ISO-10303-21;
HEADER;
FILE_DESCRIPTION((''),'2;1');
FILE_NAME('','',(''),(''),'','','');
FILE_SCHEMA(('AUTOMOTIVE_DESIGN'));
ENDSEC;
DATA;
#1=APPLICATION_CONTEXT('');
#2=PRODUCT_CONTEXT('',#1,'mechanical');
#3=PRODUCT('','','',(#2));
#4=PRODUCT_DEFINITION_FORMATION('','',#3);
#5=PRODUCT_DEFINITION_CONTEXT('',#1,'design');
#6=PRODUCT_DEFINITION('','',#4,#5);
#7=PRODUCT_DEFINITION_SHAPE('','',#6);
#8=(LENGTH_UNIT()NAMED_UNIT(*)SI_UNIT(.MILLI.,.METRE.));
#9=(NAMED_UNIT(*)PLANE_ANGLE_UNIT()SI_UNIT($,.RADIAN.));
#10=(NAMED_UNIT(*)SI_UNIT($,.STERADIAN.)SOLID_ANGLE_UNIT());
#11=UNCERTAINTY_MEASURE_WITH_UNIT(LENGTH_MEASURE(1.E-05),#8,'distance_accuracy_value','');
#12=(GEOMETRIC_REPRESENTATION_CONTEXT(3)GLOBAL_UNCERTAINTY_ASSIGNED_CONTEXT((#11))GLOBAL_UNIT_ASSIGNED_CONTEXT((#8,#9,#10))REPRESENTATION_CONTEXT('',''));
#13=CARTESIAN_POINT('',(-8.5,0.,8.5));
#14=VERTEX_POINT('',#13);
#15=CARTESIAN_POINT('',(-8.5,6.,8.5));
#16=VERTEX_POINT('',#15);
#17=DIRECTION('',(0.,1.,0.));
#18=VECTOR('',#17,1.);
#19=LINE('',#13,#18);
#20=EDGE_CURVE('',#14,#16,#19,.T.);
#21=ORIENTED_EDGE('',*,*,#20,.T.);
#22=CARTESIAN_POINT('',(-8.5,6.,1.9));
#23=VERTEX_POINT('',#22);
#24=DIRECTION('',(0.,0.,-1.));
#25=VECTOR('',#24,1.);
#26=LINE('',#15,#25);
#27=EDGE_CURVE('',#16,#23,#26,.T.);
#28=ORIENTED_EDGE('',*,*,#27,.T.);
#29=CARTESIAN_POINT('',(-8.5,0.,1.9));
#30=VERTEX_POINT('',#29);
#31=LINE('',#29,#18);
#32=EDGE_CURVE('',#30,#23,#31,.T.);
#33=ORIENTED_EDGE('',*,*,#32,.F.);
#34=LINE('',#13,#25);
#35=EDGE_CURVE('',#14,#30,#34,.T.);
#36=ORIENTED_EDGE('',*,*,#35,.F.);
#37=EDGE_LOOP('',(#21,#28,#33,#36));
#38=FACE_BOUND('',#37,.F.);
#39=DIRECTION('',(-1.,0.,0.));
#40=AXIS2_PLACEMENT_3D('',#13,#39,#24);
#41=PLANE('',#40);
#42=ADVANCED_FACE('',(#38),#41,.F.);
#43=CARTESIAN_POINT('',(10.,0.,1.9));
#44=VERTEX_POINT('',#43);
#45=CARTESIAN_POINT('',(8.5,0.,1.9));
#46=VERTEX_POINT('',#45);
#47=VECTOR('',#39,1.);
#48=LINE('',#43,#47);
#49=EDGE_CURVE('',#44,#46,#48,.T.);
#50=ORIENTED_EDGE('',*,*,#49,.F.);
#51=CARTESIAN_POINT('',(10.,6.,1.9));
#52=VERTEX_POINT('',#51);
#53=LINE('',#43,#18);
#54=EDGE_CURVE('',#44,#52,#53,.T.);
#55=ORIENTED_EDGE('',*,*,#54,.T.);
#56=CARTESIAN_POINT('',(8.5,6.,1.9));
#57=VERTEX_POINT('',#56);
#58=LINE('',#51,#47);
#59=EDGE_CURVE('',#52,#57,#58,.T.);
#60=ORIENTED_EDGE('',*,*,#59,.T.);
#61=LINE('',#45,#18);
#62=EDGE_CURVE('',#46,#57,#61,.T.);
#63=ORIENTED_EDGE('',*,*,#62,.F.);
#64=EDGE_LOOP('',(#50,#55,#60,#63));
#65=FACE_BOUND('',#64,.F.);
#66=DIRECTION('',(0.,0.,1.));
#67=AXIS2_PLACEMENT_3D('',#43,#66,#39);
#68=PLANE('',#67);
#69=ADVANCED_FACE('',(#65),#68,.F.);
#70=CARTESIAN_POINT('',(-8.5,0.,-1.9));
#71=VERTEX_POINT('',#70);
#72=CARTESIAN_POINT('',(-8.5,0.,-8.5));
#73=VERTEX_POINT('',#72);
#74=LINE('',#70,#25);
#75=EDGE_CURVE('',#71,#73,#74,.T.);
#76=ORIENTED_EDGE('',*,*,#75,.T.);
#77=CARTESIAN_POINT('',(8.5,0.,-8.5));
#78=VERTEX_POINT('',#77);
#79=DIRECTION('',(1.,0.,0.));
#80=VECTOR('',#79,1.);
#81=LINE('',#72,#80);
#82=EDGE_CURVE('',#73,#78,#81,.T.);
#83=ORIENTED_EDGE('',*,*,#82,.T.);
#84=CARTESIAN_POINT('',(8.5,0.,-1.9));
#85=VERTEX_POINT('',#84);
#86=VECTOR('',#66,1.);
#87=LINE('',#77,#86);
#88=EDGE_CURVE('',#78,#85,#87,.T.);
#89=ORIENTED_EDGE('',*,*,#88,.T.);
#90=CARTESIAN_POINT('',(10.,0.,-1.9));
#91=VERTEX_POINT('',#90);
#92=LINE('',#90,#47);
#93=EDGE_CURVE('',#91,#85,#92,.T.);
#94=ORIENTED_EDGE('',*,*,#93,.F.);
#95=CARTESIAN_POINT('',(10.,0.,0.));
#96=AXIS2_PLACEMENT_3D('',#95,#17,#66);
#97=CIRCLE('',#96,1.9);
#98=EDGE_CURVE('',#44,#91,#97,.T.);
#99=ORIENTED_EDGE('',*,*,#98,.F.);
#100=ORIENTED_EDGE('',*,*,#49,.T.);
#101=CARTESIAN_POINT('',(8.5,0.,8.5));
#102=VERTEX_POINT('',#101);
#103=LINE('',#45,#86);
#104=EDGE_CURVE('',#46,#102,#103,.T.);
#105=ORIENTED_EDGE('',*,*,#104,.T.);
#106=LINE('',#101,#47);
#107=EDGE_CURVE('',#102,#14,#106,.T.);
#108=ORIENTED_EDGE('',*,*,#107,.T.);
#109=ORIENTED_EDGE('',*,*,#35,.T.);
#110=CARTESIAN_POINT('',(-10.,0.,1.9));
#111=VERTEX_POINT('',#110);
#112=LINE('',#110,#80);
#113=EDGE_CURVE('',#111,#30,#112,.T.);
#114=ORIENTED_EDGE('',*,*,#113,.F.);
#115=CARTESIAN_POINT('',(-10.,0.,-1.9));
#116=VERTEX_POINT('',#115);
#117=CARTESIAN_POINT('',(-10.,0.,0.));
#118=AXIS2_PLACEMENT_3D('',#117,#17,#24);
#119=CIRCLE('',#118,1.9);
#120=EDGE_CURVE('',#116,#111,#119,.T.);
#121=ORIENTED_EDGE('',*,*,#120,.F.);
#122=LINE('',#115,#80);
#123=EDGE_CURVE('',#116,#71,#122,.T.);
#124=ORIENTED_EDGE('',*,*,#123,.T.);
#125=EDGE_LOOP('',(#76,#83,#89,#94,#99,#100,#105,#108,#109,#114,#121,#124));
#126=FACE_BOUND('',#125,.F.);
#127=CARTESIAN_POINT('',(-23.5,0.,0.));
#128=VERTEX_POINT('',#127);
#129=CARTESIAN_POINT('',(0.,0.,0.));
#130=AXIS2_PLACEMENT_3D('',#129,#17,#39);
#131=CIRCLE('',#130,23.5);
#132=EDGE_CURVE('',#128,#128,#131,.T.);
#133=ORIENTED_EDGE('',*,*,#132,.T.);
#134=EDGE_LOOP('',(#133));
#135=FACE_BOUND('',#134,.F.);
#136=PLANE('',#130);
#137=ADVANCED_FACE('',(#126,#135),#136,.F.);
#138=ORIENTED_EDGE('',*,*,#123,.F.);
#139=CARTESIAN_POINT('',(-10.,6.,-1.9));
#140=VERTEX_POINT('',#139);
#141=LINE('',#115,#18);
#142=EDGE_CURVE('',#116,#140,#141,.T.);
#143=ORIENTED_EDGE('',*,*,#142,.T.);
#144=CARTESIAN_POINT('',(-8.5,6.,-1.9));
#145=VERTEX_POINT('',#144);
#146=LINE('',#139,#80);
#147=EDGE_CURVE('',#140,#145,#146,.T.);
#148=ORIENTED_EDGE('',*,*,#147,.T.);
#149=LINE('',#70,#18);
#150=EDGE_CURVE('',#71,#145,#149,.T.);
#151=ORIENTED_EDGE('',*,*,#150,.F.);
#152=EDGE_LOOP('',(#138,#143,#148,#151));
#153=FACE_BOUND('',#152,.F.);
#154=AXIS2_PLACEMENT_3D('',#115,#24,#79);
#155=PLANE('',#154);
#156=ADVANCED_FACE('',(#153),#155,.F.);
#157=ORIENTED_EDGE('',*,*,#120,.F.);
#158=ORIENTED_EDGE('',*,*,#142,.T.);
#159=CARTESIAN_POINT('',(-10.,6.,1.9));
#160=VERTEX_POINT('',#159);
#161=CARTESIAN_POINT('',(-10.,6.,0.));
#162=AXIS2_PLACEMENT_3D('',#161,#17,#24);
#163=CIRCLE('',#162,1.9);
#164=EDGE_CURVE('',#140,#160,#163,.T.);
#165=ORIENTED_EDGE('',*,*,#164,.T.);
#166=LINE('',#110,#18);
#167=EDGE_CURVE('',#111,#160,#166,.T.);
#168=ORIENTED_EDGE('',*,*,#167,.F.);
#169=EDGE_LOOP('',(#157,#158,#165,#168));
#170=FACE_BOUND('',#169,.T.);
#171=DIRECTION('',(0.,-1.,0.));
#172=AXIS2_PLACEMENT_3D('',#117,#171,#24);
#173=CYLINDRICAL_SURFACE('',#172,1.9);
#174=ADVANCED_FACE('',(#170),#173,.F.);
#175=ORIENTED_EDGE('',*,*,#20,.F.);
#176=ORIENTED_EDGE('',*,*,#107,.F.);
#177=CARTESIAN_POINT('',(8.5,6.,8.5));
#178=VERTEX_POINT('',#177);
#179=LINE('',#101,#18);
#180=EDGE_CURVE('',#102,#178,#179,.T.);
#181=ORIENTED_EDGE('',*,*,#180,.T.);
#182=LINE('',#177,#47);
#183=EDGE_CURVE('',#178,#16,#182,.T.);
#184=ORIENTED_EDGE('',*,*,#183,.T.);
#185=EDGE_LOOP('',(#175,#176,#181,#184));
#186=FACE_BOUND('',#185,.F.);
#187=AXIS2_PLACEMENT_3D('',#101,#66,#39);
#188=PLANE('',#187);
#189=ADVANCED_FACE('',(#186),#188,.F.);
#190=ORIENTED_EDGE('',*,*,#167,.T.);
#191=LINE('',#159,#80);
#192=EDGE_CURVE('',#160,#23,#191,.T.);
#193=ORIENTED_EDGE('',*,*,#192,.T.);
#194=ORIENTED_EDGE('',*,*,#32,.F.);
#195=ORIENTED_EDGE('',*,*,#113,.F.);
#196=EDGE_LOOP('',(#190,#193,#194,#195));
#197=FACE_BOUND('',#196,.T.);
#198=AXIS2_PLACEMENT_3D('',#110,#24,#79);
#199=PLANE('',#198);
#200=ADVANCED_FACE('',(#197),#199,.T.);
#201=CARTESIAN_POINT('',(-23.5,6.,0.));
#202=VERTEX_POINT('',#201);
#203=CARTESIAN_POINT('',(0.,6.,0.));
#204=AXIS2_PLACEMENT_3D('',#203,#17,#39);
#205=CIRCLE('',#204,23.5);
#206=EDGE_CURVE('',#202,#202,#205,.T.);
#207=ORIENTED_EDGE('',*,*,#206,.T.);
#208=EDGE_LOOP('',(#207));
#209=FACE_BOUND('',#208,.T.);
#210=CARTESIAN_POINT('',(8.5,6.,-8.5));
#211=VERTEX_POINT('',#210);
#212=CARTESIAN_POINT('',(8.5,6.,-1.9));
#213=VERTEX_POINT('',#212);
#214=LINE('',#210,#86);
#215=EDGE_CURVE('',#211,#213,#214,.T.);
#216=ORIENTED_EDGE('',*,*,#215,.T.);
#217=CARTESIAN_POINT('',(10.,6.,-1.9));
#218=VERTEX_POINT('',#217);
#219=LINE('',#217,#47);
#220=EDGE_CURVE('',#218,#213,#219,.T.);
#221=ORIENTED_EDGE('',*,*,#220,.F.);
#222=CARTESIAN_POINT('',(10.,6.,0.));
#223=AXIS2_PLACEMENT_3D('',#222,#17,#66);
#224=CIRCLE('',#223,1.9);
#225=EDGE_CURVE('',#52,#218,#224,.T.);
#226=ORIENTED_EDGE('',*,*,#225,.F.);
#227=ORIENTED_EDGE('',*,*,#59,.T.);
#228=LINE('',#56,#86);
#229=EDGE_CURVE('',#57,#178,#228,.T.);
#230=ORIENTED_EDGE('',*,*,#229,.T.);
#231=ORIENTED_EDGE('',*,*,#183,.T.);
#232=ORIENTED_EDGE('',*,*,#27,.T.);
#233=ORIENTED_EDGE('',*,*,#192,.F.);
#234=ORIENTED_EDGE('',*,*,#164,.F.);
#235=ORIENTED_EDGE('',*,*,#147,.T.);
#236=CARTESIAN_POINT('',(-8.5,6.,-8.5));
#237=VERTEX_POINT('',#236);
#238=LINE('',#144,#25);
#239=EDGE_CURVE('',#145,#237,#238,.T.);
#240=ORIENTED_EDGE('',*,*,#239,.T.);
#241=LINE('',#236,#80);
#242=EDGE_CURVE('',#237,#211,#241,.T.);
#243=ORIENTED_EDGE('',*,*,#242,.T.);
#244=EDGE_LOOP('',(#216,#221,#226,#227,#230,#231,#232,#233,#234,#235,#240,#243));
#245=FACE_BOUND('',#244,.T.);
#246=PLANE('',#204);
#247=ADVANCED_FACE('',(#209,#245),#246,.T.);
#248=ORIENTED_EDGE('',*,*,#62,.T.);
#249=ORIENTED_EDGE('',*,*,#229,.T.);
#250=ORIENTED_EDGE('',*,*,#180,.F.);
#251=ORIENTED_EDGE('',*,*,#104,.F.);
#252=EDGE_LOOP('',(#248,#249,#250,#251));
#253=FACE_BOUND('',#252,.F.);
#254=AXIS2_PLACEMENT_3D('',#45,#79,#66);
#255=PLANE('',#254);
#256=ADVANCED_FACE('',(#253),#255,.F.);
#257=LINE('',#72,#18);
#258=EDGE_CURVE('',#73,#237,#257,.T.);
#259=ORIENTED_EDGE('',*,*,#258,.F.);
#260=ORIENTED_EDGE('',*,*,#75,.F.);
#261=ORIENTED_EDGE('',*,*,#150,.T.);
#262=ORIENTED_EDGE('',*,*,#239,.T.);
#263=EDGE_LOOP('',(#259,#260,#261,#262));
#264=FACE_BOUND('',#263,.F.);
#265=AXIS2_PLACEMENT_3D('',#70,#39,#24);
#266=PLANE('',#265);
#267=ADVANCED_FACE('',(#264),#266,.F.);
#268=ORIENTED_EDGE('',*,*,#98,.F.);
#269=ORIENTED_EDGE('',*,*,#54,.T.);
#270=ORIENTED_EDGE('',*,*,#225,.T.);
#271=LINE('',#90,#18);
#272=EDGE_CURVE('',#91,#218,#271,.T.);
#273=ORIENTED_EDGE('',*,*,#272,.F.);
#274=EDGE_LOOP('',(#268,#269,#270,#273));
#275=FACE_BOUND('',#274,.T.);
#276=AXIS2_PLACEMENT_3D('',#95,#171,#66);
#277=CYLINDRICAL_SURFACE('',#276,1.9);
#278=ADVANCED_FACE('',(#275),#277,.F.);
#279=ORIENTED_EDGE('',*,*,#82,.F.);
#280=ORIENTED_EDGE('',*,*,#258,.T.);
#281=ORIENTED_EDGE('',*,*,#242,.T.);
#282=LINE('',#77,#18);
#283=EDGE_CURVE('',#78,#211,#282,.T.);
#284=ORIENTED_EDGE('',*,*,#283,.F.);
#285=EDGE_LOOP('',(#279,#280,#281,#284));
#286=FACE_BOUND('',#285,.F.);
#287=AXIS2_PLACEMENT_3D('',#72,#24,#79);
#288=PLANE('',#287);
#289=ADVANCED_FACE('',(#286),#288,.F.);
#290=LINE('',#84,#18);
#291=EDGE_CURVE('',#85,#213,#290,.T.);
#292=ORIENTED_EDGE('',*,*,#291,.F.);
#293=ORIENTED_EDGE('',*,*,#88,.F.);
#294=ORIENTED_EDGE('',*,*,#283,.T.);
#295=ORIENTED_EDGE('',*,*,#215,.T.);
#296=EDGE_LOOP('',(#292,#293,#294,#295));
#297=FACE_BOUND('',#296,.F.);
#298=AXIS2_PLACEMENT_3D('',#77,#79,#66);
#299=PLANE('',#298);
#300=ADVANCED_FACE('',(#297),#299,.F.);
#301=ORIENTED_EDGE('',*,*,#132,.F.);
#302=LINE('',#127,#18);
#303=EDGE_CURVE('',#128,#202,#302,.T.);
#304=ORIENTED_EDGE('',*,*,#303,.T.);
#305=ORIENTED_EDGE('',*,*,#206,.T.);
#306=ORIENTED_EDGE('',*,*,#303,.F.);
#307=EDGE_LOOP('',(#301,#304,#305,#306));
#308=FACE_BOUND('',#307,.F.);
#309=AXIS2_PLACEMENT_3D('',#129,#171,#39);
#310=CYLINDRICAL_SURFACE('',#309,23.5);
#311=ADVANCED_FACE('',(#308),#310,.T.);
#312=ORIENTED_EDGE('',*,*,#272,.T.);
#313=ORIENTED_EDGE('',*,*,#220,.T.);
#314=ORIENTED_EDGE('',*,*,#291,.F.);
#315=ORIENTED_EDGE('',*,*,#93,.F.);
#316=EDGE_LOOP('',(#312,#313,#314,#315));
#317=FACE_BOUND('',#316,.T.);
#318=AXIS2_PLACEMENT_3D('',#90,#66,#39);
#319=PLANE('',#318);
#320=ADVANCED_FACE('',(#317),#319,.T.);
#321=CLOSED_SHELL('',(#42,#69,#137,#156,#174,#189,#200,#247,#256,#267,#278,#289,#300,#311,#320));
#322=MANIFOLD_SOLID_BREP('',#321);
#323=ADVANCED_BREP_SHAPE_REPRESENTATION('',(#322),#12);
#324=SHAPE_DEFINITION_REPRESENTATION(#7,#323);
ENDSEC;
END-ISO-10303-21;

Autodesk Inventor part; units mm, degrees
ref_plane "YZ Plane" through (0, 0, 0) normal (1, 0, 0) x (0, 1, 0)
ref_plane "XZ Plane" through (0, 0, 0) normal (0, 1, 0) x (-1, 0, 0)
ref_plane "XY Plane" through (0, 0, 0) normal (0, 0, 1) x (1, 0, 0)
sketch "Эскиз1" plane through (0, 0, 0) normal (0, 1, 0) x (-1, 0, 0)
  line L0 (8.5, -8.5) -> (-8.5, -8.5)
  line L1 (-8.5, -8.5) -> (-8.5, -1.9)
  line L2 (-8.5, 8.5) -> (8.5, 8.5)
  line L3 (8.5, 8.5) -> (8.5, 1.9)
  line L4 (0, 0) -> (0, -10.3494) construction
  line L5 (0, 0) -> (-17.6402, 0) construction
  circle A0 centre (10, 0) radius 0.9 construction
  circle A1 centre (-10, 0) radius 0.9 construction
  arc A2 (10, -1.9) -> (10, 1.9) centre (10, 0) ccw
  line L6 (10, -1.9) -> (8.5, -1.9)
  line L7 (10, 1.9) -> (8.5, 1.9)
  line L8 (8.5, -1.9) -> (8.5, -8.5)
  line L9 (8.5, 1.9) -> (8.5, -1.9) construction
  circle A3 centre (-10, 0) radius 0.9 construction
  arc A4 (-10, 1.9) -> (-10, -1.9) centre (-10, 0) ccw
  line L10 (-10, -1.9) -> (-8.5, -1.9)
  line L11 (-10, 1.9) -> (-8.5, 1.9)
  line L12 (-8.5, -1.9) -> (-8.5, 1.9) construction
  line L13 (-8.5, 1.9) -> (-8.5, 8.5)
  circle A5 centre (0, 0) radius 23.5
  dimension "d0" = 17
  dimension "d1" = 17
  dimension "d2" = 1.8
  dimension "d3" = 20
  dimension "d4" = 3.8
  dimension "d5" = 47
extrude "Выдавливание1" add sketch "Эскиз1" along normal blind 6
sketch "Эскиз2" plane through (0, 0, 0) normal (0, 1, 0) x (-1, 0, 0)
  circle A0 centre (0, 0) radius 23.5 construction
  line L0 (8.5, -1.9) -> (8.5, -8.5) construction
  line L1 (8.5, -8.5) -> (-8.5, -8.5) construction
  line L2 (-8.5, -8.5) -> (-8.5, -1.9) construction
  line L3 (-8.5, -1.9) -> (-10, -1.9) construction
  arc A1 (-10, 1.9) -> (-10, -1.9) centre (-10, 0) ccw construction
  line L4 (-10, 1.9) -> (-8.5, 1.9) construction
  line L5 (-8.5, 1.9) -> (-8.5, 8.5) construction
  line L6 (-8.5, 8.5) -> (8.5, 8.5) construction
  line L7 (8.5, 8.5) -> (8.5, 1.9) construction
  line L8 (8.5, 1.9) -> (10, 1.9) construction
  arc A2 (10, -1.9) -> (10, 1.9) centre (10, 0) ccw construction
  line L9 (10, -1.9) -> (8.5, -1.9) construction
  circle A3 centre (14.713, -5.2) radius 1.4
  line L10 (0, 0) -> (0, -23.5) construction
  circle A4 centre (-14.713, -5.2) radius 1.4
  arc A5 (12.5706, -3.1) -> (16.8554, -3.1) centre (14.713, -5.2) ccw
  arc A6 (-16.8554, -3.1) -> (-12.5706, -3.1) centre (-14.713, -5.2) ccw
  line L11 (14.713, -5.2) -> (14.713, -3.1) construction
  line L12 (16.8554, -3.1) -> (12.5706, -3.1)
  line L13 (-16.8554, -3.1) -> (-12.5706, -3.1)
  dimension "d8" = 2.8
  dimension "d9" = 3.3
  dimension "d10" = 29.426
  dimension "d11" = 6
  dimension "d14" = 2.1
extrude "Выдавливание2" [suppressed]
properties part number "circle_cutout"
